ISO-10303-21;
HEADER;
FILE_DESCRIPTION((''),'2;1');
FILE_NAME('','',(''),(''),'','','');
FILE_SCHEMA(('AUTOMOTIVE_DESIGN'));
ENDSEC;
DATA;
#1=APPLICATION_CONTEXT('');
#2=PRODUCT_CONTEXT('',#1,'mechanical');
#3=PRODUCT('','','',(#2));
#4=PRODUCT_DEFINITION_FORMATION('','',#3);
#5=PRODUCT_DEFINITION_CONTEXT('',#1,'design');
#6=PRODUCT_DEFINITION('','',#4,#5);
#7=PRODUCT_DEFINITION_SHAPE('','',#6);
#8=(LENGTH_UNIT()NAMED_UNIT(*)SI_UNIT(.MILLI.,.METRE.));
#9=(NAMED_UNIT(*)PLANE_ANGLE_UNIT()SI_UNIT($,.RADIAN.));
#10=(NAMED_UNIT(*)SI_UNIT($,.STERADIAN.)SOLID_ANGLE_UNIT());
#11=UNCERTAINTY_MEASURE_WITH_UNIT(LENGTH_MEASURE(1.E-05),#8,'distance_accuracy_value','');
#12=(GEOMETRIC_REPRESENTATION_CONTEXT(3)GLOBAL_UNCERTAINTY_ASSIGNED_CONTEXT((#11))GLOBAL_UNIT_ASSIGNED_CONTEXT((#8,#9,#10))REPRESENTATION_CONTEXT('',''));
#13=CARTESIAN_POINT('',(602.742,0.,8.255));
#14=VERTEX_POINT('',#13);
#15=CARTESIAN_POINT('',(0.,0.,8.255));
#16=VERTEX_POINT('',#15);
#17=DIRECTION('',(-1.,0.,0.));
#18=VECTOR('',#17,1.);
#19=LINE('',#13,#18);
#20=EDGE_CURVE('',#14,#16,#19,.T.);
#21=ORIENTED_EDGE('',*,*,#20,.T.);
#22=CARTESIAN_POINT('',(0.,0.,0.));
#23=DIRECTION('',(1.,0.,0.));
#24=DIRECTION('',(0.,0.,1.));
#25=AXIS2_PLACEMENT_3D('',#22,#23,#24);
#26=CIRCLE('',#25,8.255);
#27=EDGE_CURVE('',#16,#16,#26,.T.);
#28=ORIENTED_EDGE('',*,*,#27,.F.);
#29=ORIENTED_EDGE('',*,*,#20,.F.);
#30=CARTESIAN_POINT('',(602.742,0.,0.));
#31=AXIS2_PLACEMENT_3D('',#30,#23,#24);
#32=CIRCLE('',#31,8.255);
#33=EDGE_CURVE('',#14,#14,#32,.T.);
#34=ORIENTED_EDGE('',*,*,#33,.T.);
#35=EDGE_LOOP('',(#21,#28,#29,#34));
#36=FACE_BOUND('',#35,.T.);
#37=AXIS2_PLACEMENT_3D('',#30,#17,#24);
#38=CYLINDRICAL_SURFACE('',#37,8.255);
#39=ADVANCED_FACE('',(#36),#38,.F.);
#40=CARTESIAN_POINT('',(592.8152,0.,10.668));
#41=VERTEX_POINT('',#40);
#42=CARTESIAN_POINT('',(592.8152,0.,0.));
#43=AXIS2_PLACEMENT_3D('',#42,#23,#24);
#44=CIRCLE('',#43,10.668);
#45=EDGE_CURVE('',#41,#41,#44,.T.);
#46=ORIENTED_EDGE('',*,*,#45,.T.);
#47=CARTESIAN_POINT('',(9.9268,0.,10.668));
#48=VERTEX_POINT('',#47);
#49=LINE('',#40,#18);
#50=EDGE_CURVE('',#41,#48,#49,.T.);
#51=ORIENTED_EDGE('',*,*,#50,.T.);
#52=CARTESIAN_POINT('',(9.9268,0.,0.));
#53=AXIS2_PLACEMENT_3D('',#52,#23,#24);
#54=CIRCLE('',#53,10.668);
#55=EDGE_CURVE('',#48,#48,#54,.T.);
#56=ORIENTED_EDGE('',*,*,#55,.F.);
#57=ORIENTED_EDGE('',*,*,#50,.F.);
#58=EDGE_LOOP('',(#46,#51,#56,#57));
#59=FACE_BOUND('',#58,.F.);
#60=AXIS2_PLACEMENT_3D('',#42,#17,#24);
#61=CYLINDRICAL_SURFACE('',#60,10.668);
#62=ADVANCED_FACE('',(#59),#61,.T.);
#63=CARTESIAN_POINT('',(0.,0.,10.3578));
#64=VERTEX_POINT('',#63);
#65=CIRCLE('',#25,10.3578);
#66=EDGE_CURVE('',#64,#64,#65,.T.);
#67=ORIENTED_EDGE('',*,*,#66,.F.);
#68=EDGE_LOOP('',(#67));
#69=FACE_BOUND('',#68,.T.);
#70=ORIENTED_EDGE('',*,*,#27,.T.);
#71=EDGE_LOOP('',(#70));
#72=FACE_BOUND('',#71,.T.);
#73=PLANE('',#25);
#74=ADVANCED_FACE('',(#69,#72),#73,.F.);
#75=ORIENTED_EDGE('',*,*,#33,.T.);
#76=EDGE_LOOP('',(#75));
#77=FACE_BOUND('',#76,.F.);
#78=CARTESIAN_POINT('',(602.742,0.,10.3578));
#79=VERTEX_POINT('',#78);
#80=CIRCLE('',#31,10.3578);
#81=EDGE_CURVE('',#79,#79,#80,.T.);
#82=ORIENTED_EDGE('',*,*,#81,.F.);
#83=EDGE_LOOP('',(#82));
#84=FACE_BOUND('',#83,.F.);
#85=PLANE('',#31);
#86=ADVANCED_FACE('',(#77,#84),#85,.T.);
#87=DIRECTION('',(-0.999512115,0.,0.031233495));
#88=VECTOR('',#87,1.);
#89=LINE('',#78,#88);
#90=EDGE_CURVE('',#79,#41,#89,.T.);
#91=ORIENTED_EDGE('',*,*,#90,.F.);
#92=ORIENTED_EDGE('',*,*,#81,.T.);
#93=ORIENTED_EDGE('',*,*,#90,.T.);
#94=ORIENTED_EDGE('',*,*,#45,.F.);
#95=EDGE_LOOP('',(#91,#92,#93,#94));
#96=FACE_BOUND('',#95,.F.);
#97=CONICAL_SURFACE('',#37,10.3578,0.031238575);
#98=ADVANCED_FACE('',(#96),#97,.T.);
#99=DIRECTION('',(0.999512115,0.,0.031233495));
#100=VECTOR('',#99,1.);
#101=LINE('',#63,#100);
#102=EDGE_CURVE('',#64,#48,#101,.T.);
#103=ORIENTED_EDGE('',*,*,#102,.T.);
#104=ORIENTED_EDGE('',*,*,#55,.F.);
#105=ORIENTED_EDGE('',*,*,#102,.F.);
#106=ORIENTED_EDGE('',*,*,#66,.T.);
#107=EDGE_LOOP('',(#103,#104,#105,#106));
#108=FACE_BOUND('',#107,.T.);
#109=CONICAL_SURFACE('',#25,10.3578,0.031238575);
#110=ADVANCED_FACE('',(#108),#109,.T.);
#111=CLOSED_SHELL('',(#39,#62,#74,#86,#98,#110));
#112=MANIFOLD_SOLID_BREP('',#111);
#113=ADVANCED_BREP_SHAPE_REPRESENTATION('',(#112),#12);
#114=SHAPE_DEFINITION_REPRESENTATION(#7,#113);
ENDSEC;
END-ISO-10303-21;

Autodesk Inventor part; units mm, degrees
ref_plane "YZ Plane" through (0, 0, 0) normal (1, 0, 0) x (0, 1, 0)
ref_plane "XZ Plane" through (0, 0, 0) normal (0, 1, 0) x (-1, 0, 0)
ref_plane "XY Plane" through (0, 0, 0) normal (0, 0, 1) x (1, 0, 0)
sketch "Sketch1" plane through (0, 0, 0) normal (0, 1, 0) x (-1, 0, 0)
  line L0 (0, 0) -> (-602.742, 0)
  line L1 (-602.742, 0) -> (-602.742, 8.255) construction
  line L2 (-602.742, 8.255) -> (-602.742, 10.3578)
  line L3 (-602.742, 10.3578) -> (-592.8152, 10.668)
  line L4 (-592.8152, 10.668) -> (-9.9268, 10.668)
  line L5 (-301.371, 0) -> (-301.371, 10.668) construction
  line L6 (-602.742, 8.255) -> (0, 8.255)
  line L7 (0, 0) -> (0, 8.255) construction
  line L8 (0, 8.255) -> (0, 10.3578)
  line L9 (0, 10.3578) -> (-9.9268, 10.668)
  line L10 (-589.186, 10.7814) -> (-589.186, 0) construction
  line L11 (-13.556, 10.7814) -> (-13.556, 0) construction
  line L12 (-592.8152, 10.668) -> (-589.186, 10.7814) construction
  line L13 (-592.8152, 10.668) -> (-592.8152, 0) construction
  line L14 (-9.9268, 10.668) -> (-13.556, 10.7814) construction
  line L15 (-9.9268, 10.668) -> (-9.9268, 0) construction
  dimension "d0" = 21.336
  dimension "d1" = 1.79
  dimension "d2" = 16.51
  dimension "d3" = 602.742
  dimension "d4" = 13.556
  dimension "d5" = 21.5628
revolve "Revolution1" add sketch "Sketch1" angle 360 about axis through (0, 0, 0) along (1, 0, 0)
thread "Thread1" size "1/2" designation "1/2 - 14 NPT" standard "NPT" full length
thread "Thread2" size "1/2" designation "1/2 - 14 NPT" standard "NPT" full length
equation "\"d0\" = OD"
equation "\"d2\" = ID"
equation "\"d3\" = L"
equation "\"d4\" = L2"
equation "\"d5\" = D2"
equation "\"OD\" = 21.336"
equation "\"t\" = 2.413"
equation "\"L\" = PL"
equation "\"L4\" = 19.8501"
equation "\"ID\" = 16.51"
equation "\"PL\" = 602.742"
equation "\"D2\" = 21.56282"
equation "\"L2\" = 13.55598"
equation "\"Size_Designation\" = 1.2345"
equation "\"PLmin\" = 2 * L2"
properties material "Steel, Wrought"
